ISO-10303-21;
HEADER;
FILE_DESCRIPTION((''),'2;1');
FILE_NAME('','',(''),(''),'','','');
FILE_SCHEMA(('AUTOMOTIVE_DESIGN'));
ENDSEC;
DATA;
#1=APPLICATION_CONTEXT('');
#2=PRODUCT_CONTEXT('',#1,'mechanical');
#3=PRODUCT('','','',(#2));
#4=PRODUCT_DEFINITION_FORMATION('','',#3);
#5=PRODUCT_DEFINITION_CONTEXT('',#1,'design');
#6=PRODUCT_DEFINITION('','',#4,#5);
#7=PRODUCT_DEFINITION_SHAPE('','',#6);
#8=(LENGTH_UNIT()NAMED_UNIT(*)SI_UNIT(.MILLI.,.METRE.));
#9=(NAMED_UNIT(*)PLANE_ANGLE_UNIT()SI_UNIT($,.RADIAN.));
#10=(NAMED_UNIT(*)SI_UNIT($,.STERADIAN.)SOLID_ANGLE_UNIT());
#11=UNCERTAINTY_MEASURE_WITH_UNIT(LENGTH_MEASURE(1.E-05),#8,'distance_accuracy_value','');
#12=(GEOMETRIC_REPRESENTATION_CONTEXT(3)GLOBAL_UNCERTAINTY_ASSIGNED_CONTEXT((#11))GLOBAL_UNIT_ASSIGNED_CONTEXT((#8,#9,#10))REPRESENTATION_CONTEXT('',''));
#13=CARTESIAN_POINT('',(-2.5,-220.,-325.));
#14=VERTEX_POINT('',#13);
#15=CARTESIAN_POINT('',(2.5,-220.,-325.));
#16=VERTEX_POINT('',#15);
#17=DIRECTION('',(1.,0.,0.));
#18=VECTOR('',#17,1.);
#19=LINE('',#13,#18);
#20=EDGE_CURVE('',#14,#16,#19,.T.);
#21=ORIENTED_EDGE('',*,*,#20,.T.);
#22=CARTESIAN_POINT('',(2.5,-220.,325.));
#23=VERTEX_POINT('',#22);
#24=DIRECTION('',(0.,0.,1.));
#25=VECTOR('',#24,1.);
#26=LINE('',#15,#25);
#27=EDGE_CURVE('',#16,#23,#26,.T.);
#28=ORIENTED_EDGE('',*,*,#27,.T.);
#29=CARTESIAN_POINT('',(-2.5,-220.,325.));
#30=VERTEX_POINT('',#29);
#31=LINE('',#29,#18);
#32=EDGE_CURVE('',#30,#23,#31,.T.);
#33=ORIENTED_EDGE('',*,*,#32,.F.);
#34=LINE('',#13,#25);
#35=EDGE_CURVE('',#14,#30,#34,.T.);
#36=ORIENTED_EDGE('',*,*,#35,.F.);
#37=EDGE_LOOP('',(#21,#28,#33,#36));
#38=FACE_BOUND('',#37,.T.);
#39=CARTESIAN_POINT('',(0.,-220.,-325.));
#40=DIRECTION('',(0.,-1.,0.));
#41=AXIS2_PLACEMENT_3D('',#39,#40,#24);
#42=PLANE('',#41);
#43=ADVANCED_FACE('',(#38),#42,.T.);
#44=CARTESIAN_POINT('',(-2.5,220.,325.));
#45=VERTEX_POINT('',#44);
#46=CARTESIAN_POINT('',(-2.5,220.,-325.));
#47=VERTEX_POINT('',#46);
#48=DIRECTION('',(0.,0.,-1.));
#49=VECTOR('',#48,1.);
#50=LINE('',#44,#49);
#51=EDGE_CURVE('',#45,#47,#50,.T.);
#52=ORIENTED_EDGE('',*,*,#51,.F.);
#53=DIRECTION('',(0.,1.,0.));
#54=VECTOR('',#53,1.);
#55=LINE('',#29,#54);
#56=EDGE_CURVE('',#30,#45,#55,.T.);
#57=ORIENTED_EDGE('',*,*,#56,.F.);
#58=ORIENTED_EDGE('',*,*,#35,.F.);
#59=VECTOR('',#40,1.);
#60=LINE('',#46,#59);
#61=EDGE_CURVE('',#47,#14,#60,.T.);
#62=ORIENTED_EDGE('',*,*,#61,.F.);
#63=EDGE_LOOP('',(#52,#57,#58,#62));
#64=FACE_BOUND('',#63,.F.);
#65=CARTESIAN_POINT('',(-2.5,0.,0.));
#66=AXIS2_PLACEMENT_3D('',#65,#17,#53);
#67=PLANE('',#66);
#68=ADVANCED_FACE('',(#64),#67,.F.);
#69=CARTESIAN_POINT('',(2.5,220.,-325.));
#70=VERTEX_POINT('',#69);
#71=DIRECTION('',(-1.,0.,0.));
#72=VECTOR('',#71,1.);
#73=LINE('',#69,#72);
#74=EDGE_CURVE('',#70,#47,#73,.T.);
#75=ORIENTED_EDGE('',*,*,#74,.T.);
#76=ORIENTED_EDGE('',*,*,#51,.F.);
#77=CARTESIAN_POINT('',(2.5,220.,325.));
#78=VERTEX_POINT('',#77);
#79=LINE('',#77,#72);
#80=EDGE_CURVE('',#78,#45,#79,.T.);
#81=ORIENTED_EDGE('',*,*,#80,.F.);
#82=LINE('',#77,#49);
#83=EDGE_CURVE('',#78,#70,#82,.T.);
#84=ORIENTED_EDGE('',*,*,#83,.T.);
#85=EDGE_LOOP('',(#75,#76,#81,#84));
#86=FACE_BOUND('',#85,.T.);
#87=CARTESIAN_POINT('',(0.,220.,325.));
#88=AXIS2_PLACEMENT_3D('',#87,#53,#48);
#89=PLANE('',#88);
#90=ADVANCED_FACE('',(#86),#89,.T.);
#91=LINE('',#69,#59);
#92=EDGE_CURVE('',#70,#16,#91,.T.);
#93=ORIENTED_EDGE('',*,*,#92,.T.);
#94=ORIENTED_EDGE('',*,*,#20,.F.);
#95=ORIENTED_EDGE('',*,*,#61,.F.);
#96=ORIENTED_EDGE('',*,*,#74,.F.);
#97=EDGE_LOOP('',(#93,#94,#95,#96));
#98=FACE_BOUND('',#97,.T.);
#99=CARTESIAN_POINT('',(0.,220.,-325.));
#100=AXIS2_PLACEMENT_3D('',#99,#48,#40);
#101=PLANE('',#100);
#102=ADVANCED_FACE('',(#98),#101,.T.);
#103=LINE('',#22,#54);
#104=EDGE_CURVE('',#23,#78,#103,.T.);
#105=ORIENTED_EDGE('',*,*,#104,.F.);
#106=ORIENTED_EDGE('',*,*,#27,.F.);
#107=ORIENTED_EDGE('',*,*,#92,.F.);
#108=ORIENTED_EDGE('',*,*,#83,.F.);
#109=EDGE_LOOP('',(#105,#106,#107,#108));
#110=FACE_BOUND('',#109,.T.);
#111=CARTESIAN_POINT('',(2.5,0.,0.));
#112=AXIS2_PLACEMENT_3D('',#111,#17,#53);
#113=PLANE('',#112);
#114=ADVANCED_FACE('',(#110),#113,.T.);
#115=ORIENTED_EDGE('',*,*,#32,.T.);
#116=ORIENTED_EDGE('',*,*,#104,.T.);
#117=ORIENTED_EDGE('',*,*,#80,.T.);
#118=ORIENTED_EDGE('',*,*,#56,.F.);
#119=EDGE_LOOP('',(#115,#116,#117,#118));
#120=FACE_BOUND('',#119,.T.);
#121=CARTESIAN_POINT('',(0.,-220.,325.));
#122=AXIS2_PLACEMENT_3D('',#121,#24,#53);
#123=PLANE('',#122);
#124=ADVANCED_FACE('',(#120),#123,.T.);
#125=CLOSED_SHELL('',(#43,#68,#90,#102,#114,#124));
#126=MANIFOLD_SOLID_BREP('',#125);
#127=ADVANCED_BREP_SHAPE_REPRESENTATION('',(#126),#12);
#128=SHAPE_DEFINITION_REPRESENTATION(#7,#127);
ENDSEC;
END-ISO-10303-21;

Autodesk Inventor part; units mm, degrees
ref_plane "YZ Plane" through (0, 0, 0) normal (1, 0, 0) x (0, 1, 0)
ref_plane "XZ Plane" through (0, 0, 0) normal (0, 1, 0) x (-1, 0, 0)
ref_plane "XY Plane" through (0, 0, 0) normal (0, 0, 1) x (1, 0, 0)
sketch "Sketch1" plane through (0, 0, 0) normal (1, 0, 0) x (0, 1, 0)
  line L0 (-220, 325) -> (220, 325)
  line L1 (220, 325) -> (220, -325)
  line L2 (220, -325) -> (-220, -325)
  line L3 (-220, -325) -> (-220, 325)
  point P0 (0, 0)
  dimension "d4" = 440
  dimension "d5" = 650
extrude "Extrusion1" add sketch "Sketch1" along normal mid plane 5
properties part number "newsides" material "PMMA Plastic"
